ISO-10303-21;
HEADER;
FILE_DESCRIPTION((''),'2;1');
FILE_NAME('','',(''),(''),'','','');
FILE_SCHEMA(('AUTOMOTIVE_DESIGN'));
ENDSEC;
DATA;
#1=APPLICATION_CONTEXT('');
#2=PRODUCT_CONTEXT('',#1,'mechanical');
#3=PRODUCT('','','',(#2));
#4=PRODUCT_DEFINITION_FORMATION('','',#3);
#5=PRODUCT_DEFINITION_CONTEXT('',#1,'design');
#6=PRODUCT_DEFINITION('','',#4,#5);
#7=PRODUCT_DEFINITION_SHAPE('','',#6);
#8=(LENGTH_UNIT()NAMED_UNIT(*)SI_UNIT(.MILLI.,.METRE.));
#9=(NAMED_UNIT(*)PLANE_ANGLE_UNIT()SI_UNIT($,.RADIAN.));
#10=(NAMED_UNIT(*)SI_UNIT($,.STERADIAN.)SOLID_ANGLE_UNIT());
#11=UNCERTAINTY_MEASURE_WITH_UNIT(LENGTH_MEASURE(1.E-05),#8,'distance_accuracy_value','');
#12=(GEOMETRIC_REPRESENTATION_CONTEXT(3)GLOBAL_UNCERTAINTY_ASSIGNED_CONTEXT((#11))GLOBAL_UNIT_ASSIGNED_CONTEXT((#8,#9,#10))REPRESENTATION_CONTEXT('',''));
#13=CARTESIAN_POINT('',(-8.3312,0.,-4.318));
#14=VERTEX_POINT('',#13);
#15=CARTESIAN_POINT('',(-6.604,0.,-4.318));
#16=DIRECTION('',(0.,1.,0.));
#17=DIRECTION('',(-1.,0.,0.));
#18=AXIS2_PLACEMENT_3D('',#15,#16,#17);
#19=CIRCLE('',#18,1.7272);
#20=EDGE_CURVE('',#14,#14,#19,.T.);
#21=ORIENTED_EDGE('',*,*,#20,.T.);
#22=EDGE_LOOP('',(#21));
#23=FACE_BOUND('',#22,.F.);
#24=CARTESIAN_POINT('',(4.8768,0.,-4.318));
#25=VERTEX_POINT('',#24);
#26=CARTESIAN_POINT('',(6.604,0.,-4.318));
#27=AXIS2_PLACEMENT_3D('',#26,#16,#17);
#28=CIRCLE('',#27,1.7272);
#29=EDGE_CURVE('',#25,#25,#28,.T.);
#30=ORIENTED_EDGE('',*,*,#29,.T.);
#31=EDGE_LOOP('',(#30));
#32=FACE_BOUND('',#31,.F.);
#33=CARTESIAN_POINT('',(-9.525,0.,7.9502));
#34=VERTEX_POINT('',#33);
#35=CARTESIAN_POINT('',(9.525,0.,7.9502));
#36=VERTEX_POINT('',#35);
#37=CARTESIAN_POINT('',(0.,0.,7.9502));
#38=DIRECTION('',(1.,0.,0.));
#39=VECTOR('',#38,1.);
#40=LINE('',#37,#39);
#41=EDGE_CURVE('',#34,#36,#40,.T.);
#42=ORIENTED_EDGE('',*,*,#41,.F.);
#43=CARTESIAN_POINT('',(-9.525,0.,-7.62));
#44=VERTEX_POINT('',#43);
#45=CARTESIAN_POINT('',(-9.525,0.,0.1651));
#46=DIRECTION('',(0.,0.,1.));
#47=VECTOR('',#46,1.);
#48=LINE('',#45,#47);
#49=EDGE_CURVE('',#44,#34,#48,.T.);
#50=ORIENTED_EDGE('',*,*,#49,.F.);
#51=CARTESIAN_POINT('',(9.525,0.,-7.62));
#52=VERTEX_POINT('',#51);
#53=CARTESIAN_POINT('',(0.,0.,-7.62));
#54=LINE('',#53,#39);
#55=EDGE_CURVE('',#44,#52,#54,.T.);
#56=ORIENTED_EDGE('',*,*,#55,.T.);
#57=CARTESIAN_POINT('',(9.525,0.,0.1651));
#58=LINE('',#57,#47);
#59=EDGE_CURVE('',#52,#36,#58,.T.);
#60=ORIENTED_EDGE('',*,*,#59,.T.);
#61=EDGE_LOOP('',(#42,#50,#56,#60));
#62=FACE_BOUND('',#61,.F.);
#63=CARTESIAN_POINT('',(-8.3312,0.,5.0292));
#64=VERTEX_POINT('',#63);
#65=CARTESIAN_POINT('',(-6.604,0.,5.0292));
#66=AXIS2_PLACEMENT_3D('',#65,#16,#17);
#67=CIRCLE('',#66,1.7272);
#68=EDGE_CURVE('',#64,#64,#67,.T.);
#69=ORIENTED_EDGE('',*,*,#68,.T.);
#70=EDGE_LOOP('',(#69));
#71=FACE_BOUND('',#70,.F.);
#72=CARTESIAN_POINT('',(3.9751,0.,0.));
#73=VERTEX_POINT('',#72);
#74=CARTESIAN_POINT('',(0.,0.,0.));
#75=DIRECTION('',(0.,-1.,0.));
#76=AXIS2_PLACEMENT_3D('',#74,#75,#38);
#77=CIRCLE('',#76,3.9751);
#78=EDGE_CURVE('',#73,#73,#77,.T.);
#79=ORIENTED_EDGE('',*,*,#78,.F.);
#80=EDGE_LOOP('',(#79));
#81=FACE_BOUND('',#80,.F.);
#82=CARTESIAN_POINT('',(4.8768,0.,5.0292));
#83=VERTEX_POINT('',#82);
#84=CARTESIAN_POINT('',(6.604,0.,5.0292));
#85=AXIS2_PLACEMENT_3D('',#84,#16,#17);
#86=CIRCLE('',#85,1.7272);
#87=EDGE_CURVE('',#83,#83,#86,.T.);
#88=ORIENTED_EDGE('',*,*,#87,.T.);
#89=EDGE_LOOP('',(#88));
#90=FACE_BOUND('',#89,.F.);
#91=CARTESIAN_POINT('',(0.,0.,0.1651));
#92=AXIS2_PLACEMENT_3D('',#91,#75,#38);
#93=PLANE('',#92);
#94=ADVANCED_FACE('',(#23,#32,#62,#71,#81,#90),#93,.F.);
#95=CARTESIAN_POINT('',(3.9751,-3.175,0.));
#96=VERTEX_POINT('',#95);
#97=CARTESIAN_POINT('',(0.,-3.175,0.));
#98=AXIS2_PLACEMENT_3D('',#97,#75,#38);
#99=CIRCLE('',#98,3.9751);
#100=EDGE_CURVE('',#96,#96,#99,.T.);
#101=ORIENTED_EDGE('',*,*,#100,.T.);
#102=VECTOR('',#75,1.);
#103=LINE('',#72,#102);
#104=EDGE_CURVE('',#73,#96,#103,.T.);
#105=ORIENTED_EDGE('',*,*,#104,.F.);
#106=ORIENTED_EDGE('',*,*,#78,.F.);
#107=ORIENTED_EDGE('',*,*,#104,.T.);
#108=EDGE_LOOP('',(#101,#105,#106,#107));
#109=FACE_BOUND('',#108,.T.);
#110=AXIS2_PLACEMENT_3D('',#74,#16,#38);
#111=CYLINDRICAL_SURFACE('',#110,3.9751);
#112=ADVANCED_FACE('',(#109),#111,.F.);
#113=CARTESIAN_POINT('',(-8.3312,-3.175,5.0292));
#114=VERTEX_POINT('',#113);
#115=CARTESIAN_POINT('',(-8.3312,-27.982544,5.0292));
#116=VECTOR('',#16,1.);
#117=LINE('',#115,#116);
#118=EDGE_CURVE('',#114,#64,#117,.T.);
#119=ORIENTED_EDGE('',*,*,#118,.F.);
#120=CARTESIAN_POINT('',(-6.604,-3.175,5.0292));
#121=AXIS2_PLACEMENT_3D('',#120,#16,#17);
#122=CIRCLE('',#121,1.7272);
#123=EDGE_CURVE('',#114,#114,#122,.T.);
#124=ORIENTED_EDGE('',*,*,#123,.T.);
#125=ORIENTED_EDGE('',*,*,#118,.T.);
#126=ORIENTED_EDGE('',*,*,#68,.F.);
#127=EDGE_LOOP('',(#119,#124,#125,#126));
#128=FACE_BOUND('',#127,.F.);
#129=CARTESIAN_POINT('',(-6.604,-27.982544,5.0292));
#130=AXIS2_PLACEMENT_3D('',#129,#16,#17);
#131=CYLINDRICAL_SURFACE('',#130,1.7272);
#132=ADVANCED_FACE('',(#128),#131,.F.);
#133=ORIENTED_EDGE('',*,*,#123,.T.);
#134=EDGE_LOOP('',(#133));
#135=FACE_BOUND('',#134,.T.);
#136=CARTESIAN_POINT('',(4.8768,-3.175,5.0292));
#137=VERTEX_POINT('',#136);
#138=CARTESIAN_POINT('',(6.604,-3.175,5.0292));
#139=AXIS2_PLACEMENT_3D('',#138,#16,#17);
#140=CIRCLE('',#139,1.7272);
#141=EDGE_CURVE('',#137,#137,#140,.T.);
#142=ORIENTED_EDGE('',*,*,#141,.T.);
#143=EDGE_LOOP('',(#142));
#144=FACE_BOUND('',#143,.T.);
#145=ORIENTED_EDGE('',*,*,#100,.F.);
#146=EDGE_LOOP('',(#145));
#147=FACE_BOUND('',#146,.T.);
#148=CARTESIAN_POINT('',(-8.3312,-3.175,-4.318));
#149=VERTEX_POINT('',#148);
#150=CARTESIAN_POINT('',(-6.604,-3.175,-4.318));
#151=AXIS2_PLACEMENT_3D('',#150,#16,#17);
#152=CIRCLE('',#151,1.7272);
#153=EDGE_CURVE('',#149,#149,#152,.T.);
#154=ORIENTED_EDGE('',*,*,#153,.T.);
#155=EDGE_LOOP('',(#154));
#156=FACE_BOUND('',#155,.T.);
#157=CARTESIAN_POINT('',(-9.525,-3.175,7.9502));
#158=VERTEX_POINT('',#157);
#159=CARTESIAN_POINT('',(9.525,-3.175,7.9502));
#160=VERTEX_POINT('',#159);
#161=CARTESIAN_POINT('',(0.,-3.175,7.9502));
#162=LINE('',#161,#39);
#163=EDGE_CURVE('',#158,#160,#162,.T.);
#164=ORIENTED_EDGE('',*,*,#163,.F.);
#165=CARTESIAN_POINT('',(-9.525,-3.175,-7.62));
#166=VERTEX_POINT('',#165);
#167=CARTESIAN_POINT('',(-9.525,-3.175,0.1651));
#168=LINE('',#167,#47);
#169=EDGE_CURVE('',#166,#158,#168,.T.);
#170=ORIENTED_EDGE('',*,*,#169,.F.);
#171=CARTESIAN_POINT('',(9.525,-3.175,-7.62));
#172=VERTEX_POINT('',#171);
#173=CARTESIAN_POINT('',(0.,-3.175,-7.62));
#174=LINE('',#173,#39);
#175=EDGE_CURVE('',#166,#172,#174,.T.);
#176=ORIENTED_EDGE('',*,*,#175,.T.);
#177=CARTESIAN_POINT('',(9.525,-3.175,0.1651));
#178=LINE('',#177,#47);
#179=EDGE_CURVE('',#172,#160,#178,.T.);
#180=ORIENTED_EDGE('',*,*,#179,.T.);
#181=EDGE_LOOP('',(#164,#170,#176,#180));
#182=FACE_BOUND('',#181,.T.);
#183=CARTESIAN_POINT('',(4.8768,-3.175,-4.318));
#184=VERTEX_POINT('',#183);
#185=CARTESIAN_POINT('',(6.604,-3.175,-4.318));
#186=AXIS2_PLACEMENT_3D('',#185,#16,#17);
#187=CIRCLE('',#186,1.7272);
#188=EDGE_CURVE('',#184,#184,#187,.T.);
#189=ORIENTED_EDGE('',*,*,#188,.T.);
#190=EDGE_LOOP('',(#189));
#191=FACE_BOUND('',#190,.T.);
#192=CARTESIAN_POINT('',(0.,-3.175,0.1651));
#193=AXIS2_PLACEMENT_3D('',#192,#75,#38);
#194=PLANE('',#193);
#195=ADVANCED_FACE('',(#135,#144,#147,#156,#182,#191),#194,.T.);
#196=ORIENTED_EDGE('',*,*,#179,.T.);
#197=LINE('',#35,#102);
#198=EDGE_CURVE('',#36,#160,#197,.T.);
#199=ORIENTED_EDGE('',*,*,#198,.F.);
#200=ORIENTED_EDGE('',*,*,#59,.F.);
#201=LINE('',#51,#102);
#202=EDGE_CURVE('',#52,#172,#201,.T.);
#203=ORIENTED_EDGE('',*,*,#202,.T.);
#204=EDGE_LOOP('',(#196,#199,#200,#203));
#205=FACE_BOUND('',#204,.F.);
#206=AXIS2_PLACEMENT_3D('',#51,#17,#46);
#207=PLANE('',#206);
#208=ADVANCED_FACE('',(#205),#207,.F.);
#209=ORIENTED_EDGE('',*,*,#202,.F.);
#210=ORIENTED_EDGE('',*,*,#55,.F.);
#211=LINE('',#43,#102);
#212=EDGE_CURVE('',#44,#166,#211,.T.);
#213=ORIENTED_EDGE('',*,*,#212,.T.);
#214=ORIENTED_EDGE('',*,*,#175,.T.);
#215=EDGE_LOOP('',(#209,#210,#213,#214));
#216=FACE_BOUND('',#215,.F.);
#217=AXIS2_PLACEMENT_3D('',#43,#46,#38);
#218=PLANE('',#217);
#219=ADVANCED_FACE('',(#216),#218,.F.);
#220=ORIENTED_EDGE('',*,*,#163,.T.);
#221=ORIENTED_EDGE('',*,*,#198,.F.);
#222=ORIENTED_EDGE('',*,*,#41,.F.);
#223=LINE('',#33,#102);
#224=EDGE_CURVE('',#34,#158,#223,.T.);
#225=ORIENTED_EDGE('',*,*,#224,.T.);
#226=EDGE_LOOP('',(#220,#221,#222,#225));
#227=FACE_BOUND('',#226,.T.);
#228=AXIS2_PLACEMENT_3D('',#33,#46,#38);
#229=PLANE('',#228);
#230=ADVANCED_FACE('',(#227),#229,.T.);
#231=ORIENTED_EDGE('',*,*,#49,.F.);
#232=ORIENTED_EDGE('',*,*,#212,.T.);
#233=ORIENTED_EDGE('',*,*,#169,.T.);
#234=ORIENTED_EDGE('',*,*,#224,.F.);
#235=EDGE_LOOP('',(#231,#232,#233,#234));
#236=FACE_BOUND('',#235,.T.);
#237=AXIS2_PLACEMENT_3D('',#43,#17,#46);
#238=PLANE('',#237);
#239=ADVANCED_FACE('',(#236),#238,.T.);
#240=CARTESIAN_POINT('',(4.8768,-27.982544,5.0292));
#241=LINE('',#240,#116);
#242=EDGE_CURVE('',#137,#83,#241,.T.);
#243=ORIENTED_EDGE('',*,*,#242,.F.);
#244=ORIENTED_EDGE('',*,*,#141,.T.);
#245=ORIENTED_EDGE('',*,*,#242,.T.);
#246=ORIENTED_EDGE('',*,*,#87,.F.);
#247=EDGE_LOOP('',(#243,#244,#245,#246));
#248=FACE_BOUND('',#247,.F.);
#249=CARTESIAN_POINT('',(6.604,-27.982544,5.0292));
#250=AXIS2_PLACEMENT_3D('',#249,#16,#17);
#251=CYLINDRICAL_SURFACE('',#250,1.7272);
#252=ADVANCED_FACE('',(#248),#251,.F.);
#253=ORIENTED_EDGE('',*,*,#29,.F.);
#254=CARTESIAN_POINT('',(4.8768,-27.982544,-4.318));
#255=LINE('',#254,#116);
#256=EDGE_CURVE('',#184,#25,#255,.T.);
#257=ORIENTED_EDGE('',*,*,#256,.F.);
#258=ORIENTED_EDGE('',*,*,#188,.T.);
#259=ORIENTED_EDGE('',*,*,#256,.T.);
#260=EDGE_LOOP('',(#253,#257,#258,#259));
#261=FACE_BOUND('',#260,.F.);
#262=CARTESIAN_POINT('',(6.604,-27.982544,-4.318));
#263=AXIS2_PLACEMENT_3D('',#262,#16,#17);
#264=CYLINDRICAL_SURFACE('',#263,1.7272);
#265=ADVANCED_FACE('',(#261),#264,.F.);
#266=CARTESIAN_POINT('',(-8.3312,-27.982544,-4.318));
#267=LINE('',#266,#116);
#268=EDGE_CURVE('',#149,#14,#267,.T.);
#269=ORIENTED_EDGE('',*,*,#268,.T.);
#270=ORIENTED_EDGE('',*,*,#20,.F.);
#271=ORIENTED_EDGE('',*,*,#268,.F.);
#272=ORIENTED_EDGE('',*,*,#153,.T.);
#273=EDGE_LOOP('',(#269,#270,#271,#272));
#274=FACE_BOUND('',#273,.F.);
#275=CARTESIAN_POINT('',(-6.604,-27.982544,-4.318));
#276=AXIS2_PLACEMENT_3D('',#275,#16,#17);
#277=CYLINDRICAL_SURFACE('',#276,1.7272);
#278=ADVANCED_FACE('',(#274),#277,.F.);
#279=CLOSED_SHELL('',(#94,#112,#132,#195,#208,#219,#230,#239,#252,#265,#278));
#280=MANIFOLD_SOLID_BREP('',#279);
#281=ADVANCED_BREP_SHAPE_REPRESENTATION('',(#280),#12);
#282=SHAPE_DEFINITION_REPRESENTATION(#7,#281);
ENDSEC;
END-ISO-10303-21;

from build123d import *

# Parameters (mm, degrees)
F0_W     = 19.05
F0_H     = 15.5702
F0_R     = 3.9751
F1_DEPTH = 3.175
F3_D     = 3.4544


with BuildPart() as f1:
    # F0 (on Front) → F1 (new body)
    with BuildSketch(Plane.XZ):
        with Locations((0, 0.1651)):
            Rectangle(F0_W, F0_H)
        Circle(F0_R, mode=Mode.SUBTRACT)
    extrude(amount=F1_DEPTH)

    # F3 (through all)
    with Locations(Plane.XZ.offset(3.175)):
        with Locations((-6.604, 5.0292), (6.604, 5.0292), (6.604, -4.318), (-6.604, -4.318)):
            Hole(F3_D / 2)


solid = f1.part
